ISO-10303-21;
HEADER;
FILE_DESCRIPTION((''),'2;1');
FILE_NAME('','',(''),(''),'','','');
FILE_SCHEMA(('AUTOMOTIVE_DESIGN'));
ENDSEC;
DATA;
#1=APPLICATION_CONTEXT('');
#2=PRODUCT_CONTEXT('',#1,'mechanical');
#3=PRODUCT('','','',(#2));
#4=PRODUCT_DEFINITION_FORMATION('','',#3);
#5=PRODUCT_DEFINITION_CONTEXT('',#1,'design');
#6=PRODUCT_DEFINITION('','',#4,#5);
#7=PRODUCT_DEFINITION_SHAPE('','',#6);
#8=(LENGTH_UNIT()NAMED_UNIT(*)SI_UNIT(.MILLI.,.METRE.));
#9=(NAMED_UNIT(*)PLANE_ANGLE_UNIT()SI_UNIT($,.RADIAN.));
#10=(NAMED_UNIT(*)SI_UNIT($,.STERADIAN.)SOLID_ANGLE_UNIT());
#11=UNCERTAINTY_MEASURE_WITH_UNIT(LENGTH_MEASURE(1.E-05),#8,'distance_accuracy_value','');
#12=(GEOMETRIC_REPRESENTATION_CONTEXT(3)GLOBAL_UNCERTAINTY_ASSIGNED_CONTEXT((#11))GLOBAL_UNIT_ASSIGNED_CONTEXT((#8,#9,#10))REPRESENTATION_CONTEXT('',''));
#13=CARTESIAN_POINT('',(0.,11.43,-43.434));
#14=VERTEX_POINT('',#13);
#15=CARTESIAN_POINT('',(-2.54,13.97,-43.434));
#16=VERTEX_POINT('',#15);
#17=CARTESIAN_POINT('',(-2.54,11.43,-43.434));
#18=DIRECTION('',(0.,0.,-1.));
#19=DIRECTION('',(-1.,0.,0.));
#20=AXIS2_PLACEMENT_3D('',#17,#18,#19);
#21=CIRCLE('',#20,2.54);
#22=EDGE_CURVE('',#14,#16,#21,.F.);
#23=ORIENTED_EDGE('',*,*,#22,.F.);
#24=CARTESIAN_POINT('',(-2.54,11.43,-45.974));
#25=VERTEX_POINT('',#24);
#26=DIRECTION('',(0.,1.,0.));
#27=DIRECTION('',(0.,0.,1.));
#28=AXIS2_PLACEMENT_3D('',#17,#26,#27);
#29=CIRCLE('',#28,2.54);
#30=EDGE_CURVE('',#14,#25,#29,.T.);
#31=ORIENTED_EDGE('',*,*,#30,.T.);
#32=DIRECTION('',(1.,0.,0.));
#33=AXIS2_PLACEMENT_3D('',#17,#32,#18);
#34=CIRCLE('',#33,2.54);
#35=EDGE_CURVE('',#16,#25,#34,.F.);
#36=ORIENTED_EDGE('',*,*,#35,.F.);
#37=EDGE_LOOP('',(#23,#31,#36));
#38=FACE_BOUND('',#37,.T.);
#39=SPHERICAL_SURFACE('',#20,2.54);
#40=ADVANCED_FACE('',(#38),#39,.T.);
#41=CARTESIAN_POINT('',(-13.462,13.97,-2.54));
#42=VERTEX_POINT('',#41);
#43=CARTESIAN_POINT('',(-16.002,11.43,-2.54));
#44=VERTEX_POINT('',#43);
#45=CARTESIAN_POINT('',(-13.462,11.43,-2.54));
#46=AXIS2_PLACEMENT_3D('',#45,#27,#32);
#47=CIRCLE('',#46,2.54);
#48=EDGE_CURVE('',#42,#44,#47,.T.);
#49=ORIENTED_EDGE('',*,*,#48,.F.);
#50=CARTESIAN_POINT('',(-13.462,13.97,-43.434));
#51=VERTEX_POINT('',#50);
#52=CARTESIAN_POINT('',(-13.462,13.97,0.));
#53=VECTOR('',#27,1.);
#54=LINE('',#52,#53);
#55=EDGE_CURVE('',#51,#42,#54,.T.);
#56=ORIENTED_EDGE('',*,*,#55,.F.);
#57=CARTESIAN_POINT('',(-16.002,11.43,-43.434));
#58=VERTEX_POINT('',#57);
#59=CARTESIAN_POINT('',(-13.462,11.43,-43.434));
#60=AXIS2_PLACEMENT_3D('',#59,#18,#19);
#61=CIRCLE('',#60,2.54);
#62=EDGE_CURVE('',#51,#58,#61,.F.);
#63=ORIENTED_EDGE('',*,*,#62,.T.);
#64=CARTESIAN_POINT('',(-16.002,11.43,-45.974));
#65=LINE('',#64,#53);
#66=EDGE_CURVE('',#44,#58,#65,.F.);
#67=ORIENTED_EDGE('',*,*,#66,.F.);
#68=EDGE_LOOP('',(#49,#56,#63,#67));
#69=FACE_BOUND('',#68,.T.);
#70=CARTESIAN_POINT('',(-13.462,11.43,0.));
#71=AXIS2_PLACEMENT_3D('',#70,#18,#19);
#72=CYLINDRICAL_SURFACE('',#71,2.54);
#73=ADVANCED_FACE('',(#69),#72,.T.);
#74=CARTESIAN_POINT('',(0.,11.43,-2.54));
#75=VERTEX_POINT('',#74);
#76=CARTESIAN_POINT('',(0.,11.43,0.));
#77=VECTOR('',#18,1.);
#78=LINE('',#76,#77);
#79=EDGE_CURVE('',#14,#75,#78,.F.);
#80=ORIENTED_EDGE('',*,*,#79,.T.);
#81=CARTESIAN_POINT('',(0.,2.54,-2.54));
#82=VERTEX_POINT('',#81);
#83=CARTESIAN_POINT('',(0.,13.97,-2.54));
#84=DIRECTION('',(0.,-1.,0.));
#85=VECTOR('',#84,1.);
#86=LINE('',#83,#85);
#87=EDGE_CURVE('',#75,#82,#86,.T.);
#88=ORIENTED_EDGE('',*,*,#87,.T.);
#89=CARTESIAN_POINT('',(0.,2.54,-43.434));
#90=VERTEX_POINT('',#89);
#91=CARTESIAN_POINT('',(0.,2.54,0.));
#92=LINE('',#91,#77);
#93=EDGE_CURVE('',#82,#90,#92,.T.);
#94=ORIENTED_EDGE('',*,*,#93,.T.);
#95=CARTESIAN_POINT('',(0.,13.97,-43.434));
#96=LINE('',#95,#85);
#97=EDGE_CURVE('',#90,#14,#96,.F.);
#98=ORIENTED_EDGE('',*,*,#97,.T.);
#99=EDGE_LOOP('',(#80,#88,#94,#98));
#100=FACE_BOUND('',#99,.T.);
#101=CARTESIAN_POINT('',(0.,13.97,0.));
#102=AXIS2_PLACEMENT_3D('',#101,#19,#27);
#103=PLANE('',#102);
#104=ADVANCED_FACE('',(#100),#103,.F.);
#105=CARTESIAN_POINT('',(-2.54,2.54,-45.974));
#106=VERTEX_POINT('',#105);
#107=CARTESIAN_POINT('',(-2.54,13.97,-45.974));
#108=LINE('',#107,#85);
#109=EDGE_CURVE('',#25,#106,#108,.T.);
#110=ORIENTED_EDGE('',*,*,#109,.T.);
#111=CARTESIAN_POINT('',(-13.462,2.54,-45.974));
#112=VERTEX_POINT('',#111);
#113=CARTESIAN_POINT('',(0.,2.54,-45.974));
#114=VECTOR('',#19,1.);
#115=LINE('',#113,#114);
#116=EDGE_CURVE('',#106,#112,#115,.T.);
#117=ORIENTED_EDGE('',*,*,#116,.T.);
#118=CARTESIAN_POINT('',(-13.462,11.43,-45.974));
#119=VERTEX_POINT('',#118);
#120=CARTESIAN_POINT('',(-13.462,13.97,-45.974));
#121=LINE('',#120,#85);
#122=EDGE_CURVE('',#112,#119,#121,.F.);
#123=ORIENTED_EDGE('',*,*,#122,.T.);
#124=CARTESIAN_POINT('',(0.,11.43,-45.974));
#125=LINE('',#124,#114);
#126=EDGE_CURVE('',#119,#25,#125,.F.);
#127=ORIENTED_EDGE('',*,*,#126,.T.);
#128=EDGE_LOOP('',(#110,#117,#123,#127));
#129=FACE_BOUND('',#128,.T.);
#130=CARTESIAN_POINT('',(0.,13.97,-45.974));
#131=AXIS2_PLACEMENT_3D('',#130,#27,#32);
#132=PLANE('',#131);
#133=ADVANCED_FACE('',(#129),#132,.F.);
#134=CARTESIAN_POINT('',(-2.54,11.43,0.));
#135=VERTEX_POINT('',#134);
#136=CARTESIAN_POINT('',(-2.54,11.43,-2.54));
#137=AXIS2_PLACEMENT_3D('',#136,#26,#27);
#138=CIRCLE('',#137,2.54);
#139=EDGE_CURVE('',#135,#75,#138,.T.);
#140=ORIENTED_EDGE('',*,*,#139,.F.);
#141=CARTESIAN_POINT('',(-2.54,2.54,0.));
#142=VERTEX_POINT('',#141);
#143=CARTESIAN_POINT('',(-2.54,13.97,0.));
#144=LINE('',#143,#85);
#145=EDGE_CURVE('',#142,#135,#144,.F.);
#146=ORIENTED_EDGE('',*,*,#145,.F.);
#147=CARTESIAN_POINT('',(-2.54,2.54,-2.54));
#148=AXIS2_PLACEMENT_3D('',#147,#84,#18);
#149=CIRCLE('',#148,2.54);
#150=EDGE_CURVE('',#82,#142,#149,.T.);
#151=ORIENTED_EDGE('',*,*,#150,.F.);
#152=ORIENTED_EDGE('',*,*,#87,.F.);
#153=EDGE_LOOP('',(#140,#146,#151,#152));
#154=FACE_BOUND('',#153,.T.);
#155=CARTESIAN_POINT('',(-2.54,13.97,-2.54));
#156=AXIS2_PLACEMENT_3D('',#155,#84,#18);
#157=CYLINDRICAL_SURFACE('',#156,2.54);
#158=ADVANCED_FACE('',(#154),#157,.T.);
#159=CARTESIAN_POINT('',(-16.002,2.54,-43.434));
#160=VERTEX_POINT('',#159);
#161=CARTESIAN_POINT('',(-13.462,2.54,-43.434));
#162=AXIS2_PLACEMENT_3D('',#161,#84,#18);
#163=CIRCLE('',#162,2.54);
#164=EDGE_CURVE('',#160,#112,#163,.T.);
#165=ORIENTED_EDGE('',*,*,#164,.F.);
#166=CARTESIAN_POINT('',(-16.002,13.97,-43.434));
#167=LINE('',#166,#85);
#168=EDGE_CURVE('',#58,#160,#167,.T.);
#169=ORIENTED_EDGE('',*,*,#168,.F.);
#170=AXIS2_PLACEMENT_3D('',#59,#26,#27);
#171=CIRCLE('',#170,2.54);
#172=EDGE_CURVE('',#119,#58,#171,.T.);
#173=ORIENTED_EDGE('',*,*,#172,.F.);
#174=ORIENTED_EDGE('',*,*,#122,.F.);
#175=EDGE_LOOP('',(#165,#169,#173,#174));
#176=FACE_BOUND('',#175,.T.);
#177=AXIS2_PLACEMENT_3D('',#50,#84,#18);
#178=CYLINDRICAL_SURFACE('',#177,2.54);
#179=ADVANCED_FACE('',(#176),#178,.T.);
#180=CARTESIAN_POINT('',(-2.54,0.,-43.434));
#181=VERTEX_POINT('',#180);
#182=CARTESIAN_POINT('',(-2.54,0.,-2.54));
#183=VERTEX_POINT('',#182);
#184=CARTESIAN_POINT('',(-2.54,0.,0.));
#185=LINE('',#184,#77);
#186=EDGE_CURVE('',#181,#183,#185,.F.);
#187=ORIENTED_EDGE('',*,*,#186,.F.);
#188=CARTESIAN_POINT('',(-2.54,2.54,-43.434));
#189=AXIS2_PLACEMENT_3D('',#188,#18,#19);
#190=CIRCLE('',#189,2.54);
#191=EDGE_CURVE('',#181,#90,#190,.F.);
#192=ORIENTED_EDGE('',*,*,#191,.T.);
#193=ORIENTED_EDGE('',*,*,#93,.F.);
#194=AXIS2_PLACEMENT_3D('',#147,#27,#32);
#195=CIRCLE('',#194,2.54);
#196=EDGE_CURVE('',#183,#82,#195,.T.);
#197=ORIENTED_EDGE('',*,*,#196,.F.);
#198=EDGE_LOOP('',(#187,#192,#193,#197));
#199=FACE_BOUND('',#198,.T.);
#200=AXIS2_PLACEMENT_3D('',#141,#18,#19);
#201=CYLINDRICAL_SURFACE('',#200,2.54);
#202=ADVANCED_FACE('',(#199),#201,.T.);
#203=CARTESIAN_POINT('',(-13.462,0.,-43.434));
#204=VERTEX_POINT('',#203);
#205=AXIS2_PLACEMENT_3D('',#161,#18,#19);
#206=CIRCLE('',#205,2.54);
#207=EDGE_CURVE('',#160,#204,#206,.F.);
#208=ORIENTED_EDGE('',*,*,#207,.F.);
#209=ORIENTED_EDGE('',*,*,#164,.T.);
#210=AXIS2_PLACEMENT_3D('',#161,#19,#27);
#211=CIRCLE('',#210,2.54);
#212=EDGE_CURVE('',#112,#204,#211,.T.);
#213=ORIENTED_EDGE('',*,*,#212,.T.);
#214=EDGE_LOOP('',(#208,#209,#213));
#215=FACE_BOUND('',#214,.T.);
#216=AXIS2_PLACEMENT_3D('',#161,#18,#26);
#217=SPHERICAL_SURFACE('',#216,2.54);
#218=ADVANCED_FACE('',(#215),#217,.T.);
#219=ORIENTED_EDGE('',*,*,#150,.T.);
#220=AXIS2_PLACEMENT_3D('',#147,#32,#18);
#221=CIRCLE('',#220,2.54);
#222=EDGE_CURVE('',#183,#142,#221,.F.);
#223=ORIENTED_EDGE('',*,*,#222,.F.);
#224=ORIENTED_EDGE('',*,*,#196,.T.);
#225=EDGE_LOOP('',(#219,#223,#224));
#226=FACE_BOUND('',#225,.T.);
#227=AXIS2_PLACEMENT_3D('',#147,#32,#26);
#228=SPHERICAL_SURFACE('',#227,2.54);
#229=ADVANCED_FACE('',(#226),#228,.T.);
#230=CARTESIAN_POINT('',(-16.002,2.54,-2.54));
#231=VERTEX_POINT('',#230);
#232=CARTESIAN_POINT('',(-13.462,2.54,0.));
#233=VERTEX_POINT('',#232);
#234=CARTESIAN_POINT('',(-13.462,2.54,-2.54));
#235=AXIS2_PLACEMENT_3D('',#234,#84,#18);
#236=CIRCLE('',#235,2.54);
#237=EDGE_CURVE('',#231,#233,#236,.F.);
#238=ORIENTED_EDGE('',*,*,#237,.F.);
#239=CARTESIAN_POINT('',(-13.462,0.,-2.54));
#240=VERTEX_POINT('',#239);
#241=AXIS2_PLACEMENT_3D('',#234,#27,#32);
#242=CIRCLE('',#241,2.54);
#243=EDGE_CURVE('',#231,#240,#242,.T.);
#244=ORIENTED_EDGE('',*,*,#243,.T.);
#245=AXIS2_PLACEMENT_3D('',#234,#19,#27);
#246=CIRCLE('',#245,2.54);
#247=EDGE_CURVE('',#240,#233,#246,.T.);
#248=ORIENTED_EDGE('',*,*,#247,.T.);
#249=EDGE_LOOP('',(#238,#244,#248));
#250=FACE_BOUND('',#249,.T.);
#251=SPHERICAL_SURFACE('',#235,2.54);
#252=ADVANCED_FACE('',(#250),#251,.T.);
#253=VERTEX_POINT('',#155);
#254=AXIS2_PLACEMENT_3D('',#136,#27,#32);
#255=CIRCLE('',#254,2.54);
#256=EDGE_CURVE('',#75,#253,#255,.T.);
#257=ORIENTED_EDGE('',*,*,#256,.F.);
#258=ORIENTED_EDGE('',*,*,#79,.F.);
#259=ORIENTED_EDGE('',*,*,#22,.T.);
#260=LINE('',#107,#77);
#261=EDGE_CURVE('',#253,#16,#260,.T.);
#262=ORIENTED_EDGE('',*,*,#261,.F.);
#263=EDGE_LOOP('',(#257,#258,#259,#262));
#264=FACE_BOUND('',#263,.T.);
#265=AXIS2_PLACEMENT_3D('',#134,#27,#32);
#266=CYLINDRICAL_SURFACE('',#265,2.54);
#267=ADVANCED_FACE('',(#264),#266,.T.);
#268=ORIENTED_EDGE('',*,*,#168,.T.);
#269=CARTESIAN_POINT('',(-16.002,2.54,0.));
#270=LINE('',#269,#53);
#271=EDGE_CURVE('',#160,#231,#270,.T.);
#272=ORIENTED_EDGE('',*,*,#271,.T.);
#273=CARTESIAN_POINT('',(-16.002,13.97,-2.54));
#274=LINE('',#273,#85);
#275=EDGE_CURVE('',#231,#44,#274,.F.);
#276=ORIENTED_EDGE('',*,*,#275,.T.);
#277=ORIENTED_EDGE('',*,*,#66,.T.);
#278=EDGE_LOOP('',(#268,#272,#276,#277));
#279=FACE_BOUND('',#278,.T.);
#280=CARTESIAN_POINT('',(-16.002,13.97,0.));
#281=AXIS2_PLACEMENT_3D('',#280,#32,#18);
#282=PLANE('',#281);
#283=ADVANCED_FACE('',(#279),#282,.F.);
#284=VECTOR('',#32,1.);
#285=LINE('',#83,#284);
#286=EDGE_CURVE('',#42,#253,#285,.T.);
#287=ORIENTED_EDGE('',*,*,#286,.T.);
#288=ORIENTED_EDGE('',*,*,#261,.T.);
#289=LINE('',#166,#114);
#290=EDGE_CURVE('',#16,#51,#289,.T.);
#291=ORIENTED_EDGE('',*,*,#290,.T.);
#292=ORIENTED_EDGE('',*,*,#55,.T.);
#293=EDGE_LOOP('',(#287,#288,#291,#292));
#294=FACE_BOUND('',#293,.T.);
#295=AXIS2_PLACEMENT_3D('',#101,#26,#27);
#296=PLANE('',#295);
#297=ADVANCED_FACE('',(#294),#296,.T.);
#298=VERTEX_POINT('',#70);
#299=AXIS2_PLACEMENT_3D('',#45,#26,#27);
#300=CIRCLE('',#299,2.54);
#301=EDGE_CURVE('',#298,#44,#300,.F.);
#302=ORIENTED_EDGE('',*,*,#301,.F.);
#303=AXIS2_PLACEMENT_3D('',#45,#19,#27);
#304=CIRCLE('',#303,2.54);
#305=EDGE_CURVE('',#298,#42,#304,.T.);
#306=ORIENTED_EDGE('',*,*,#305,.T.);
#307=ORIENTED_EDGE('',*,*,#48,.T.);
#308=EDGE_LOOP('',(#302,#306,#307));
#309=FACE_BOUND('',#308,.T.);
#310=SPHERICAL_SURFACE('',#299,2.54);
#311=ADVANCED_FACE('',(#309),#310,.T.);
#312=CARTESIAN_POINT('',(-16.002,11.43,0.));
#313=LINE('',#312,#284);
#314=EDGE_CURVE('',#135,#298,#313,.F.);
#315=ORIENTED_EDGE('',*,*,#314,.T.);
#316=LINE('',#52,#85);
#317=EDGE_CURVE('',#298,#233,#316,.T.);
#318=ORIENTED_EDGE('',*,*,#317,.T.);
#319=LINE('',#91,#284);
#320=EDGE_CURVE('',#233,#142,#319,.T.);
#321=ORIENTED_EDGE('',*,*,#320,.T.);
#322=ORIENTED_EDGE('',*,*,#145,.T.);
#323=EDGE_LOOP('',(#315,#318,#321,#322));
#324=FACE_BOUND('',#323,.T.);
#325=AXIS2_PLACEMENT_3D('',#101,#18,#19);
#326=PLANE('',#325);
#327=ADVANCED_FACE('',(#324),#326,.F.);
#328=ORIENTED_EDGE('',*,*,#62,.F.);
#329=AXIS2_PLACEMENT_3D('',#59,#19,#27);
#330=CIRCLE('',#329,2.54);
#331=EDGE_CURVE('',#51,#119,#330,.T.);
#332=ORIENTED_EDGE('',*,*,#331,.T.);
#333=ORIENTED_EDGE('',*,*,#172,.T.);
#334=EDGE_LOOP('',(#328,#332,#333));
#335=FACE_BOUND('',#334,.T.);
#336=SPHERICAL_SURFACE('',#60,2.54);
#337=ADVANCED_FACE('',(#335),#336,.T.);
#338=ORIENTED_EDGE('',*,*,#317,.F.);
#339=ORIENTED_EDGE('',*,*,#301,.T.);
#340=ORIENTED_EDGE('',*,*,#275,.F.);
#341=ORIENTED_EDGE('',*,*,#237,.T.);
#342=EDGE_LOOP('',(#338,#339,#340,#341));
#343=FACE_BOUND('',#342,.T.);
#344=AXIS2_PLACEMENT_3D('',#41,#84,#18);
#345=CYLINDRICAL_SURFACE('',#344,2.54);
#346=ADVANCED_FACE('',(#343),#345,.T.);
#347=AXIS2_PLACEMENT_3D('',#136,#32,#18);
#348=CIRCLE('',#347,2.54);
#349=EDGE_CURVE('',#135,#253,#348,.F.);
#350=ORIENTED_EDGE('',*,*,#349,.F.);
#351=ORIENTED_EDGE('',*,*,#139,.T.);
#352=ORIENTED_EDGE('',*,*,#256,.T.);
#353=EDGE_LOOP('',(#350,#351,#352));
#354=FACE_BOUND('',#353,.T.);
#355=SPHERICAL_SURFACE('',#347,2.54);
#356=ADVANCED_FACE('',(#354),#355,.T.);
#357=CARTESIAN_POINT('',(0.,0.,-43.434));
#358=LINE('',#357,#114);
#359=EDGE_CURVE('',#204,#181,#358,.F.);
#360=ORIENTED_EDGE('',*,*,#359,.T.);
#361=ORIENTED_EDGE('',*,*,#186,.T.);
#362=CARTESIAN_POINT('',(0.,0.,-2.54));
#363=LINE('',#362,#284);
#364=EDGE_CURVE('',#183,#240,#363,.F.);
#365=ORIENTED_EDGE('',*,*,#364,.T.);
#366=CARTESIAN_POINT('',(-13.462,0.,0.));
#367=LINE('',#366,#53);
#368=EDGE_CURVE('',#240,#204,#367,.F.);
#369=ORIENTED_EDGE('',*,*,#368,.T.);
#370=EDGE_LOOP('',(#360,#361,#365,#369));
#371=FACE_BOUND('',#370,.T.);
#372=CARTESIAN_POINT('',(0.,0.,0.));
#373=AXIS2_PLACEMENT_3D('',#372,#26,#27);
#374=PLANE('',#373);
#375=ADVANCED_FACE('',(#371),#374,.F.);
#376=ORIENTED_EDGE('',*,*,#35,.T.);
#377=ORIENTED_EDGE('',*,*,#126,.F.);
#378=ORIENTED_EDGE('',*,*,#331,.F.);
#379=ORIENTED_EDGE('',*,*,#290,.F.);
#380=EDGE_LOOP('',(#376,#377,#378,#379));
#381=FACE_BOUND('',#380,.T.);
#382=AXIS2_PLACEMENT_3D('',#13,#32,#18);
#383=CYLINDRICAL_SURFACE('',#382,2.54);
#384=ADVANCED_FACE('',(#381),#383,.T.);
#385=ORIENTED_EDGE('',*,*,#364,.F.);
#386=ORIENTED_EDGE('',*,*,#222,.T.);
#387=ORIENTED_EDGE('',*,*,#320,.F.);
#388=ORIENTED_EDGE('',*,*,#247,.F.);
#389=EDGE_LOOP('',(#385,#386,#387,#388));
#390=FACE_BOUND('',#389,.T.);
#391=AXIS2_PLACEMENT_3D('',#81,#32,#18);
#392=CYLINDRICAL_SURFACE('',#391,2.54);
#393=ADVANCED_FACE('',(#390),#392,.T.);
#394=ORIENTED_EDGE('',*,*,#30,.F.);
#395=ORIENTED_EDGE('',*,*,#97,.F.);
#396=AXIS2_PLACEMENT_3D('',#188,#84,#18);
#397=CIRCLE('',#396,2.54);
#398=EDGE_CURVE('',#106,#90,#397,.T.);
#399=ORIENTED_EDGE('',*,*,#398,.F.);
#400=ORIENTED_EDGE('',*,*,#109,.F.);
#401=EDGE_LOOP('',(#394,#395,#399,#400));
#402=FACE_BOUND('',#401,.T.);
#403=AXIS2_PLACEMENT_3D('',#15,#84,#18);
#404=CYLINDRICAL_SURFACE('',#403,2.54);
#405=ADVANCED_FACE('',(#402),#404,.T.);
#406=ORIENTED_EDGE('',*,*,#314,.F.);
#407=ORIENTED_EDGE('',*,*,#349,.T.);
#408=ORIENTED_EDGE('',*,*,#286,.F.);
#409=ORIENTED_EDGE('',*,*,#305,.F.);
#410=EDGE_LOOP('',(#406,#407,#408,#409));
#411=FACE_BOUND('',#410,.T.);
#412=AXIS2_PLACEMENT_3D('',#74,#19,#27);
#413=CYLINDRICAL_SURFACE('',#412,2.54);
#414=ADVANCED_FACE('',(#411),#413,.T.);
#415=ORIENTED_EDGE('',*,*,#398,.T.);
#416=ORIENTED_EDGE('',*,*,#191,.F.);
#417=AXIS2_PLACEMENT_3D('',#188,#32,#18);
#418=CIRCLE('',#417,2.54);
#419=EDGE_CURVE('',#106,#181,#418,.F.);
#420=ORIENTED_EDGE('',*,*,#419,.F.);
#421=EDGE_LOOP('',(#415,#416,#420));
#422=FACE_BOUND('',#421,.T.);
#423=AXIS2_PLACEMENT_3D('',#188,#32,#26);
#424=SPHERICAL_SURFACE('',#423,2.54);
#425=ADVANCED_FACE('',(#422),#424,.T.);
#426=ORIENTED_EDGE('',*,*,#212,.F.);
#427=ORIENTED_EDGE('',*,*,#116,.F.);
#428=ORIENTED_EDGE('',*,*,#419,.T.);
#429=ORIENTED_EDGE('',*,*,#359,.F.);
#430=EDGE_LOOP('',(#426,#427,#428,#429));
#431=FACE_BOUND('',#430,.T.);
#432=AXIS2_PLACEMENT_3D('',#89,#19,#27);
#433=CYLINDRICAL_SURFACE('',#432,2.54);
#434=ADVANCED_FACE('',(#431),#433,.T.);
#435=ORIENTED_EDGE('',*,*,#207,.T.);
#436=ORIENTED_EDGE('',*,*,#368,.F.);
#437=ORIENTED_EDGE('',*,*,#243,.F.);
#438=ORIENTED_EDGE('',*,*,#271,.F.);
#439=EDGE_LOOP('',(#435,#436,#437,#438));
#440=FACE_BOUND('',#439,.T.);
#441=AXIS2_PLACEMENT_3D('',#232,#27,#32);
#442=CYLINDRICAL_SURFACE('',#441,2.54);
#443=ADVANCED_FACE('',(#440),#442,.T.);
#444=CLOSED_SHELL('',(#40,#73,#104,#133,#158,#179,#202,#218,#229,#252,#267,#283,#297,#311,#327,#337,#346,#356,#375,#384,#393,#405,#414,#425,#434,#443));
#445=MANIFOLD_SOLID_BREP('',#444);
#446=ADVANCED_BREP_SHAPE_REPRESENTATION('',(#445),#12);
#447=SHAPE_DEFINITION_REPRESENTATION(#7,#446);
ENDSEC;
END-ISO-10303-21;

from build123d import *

# Parameters (mm, degrees)
SKETCH1_W           = 16.002
SKETCH1_H           = 45.974
BOSS_EXTRUDE1_DEPTH = 13.97
FILLET1_R           = 2.54


with BuildPart() as part:
    # Sketch1 → Boss-Extrude1 (new body)
    with BuildSketch(Plane(origin=(0, 0, 0), x_dir=(1, 0, 0), z_dir=(0, 1, 0))):
        with Locations((-8.001, 22.987)):
            Rectangle(SKETCH1_W, SKETCH1_H)
    extrude(amount=BOSS_EXTRUDE1_DEPTH)

    # Fillet1
    fillet1_edges = [part.edges().sort_by_distance(p)[0] for p in [
        (-16.002, 13.97, -22.987),
        (-8.001, 13.97, 0),
        (0, 13.97, -22.987),
        (-8.001, 0, 0),
        (-16.002, 0, -22.987),
        (-8.001, 0, -45.974),
        (0, 0, -22.987),
        (0, 6.985, 0),
        (-16.002, 6.985, 0),
        (-16.002, 6.985, -45.974),
        (0, 6.985, -45.974),
        (-8.001, 13.97, -45.974),
    ]]
    fillet(fillet1_edges, radius=FILLET1_R)


solid = part.part
